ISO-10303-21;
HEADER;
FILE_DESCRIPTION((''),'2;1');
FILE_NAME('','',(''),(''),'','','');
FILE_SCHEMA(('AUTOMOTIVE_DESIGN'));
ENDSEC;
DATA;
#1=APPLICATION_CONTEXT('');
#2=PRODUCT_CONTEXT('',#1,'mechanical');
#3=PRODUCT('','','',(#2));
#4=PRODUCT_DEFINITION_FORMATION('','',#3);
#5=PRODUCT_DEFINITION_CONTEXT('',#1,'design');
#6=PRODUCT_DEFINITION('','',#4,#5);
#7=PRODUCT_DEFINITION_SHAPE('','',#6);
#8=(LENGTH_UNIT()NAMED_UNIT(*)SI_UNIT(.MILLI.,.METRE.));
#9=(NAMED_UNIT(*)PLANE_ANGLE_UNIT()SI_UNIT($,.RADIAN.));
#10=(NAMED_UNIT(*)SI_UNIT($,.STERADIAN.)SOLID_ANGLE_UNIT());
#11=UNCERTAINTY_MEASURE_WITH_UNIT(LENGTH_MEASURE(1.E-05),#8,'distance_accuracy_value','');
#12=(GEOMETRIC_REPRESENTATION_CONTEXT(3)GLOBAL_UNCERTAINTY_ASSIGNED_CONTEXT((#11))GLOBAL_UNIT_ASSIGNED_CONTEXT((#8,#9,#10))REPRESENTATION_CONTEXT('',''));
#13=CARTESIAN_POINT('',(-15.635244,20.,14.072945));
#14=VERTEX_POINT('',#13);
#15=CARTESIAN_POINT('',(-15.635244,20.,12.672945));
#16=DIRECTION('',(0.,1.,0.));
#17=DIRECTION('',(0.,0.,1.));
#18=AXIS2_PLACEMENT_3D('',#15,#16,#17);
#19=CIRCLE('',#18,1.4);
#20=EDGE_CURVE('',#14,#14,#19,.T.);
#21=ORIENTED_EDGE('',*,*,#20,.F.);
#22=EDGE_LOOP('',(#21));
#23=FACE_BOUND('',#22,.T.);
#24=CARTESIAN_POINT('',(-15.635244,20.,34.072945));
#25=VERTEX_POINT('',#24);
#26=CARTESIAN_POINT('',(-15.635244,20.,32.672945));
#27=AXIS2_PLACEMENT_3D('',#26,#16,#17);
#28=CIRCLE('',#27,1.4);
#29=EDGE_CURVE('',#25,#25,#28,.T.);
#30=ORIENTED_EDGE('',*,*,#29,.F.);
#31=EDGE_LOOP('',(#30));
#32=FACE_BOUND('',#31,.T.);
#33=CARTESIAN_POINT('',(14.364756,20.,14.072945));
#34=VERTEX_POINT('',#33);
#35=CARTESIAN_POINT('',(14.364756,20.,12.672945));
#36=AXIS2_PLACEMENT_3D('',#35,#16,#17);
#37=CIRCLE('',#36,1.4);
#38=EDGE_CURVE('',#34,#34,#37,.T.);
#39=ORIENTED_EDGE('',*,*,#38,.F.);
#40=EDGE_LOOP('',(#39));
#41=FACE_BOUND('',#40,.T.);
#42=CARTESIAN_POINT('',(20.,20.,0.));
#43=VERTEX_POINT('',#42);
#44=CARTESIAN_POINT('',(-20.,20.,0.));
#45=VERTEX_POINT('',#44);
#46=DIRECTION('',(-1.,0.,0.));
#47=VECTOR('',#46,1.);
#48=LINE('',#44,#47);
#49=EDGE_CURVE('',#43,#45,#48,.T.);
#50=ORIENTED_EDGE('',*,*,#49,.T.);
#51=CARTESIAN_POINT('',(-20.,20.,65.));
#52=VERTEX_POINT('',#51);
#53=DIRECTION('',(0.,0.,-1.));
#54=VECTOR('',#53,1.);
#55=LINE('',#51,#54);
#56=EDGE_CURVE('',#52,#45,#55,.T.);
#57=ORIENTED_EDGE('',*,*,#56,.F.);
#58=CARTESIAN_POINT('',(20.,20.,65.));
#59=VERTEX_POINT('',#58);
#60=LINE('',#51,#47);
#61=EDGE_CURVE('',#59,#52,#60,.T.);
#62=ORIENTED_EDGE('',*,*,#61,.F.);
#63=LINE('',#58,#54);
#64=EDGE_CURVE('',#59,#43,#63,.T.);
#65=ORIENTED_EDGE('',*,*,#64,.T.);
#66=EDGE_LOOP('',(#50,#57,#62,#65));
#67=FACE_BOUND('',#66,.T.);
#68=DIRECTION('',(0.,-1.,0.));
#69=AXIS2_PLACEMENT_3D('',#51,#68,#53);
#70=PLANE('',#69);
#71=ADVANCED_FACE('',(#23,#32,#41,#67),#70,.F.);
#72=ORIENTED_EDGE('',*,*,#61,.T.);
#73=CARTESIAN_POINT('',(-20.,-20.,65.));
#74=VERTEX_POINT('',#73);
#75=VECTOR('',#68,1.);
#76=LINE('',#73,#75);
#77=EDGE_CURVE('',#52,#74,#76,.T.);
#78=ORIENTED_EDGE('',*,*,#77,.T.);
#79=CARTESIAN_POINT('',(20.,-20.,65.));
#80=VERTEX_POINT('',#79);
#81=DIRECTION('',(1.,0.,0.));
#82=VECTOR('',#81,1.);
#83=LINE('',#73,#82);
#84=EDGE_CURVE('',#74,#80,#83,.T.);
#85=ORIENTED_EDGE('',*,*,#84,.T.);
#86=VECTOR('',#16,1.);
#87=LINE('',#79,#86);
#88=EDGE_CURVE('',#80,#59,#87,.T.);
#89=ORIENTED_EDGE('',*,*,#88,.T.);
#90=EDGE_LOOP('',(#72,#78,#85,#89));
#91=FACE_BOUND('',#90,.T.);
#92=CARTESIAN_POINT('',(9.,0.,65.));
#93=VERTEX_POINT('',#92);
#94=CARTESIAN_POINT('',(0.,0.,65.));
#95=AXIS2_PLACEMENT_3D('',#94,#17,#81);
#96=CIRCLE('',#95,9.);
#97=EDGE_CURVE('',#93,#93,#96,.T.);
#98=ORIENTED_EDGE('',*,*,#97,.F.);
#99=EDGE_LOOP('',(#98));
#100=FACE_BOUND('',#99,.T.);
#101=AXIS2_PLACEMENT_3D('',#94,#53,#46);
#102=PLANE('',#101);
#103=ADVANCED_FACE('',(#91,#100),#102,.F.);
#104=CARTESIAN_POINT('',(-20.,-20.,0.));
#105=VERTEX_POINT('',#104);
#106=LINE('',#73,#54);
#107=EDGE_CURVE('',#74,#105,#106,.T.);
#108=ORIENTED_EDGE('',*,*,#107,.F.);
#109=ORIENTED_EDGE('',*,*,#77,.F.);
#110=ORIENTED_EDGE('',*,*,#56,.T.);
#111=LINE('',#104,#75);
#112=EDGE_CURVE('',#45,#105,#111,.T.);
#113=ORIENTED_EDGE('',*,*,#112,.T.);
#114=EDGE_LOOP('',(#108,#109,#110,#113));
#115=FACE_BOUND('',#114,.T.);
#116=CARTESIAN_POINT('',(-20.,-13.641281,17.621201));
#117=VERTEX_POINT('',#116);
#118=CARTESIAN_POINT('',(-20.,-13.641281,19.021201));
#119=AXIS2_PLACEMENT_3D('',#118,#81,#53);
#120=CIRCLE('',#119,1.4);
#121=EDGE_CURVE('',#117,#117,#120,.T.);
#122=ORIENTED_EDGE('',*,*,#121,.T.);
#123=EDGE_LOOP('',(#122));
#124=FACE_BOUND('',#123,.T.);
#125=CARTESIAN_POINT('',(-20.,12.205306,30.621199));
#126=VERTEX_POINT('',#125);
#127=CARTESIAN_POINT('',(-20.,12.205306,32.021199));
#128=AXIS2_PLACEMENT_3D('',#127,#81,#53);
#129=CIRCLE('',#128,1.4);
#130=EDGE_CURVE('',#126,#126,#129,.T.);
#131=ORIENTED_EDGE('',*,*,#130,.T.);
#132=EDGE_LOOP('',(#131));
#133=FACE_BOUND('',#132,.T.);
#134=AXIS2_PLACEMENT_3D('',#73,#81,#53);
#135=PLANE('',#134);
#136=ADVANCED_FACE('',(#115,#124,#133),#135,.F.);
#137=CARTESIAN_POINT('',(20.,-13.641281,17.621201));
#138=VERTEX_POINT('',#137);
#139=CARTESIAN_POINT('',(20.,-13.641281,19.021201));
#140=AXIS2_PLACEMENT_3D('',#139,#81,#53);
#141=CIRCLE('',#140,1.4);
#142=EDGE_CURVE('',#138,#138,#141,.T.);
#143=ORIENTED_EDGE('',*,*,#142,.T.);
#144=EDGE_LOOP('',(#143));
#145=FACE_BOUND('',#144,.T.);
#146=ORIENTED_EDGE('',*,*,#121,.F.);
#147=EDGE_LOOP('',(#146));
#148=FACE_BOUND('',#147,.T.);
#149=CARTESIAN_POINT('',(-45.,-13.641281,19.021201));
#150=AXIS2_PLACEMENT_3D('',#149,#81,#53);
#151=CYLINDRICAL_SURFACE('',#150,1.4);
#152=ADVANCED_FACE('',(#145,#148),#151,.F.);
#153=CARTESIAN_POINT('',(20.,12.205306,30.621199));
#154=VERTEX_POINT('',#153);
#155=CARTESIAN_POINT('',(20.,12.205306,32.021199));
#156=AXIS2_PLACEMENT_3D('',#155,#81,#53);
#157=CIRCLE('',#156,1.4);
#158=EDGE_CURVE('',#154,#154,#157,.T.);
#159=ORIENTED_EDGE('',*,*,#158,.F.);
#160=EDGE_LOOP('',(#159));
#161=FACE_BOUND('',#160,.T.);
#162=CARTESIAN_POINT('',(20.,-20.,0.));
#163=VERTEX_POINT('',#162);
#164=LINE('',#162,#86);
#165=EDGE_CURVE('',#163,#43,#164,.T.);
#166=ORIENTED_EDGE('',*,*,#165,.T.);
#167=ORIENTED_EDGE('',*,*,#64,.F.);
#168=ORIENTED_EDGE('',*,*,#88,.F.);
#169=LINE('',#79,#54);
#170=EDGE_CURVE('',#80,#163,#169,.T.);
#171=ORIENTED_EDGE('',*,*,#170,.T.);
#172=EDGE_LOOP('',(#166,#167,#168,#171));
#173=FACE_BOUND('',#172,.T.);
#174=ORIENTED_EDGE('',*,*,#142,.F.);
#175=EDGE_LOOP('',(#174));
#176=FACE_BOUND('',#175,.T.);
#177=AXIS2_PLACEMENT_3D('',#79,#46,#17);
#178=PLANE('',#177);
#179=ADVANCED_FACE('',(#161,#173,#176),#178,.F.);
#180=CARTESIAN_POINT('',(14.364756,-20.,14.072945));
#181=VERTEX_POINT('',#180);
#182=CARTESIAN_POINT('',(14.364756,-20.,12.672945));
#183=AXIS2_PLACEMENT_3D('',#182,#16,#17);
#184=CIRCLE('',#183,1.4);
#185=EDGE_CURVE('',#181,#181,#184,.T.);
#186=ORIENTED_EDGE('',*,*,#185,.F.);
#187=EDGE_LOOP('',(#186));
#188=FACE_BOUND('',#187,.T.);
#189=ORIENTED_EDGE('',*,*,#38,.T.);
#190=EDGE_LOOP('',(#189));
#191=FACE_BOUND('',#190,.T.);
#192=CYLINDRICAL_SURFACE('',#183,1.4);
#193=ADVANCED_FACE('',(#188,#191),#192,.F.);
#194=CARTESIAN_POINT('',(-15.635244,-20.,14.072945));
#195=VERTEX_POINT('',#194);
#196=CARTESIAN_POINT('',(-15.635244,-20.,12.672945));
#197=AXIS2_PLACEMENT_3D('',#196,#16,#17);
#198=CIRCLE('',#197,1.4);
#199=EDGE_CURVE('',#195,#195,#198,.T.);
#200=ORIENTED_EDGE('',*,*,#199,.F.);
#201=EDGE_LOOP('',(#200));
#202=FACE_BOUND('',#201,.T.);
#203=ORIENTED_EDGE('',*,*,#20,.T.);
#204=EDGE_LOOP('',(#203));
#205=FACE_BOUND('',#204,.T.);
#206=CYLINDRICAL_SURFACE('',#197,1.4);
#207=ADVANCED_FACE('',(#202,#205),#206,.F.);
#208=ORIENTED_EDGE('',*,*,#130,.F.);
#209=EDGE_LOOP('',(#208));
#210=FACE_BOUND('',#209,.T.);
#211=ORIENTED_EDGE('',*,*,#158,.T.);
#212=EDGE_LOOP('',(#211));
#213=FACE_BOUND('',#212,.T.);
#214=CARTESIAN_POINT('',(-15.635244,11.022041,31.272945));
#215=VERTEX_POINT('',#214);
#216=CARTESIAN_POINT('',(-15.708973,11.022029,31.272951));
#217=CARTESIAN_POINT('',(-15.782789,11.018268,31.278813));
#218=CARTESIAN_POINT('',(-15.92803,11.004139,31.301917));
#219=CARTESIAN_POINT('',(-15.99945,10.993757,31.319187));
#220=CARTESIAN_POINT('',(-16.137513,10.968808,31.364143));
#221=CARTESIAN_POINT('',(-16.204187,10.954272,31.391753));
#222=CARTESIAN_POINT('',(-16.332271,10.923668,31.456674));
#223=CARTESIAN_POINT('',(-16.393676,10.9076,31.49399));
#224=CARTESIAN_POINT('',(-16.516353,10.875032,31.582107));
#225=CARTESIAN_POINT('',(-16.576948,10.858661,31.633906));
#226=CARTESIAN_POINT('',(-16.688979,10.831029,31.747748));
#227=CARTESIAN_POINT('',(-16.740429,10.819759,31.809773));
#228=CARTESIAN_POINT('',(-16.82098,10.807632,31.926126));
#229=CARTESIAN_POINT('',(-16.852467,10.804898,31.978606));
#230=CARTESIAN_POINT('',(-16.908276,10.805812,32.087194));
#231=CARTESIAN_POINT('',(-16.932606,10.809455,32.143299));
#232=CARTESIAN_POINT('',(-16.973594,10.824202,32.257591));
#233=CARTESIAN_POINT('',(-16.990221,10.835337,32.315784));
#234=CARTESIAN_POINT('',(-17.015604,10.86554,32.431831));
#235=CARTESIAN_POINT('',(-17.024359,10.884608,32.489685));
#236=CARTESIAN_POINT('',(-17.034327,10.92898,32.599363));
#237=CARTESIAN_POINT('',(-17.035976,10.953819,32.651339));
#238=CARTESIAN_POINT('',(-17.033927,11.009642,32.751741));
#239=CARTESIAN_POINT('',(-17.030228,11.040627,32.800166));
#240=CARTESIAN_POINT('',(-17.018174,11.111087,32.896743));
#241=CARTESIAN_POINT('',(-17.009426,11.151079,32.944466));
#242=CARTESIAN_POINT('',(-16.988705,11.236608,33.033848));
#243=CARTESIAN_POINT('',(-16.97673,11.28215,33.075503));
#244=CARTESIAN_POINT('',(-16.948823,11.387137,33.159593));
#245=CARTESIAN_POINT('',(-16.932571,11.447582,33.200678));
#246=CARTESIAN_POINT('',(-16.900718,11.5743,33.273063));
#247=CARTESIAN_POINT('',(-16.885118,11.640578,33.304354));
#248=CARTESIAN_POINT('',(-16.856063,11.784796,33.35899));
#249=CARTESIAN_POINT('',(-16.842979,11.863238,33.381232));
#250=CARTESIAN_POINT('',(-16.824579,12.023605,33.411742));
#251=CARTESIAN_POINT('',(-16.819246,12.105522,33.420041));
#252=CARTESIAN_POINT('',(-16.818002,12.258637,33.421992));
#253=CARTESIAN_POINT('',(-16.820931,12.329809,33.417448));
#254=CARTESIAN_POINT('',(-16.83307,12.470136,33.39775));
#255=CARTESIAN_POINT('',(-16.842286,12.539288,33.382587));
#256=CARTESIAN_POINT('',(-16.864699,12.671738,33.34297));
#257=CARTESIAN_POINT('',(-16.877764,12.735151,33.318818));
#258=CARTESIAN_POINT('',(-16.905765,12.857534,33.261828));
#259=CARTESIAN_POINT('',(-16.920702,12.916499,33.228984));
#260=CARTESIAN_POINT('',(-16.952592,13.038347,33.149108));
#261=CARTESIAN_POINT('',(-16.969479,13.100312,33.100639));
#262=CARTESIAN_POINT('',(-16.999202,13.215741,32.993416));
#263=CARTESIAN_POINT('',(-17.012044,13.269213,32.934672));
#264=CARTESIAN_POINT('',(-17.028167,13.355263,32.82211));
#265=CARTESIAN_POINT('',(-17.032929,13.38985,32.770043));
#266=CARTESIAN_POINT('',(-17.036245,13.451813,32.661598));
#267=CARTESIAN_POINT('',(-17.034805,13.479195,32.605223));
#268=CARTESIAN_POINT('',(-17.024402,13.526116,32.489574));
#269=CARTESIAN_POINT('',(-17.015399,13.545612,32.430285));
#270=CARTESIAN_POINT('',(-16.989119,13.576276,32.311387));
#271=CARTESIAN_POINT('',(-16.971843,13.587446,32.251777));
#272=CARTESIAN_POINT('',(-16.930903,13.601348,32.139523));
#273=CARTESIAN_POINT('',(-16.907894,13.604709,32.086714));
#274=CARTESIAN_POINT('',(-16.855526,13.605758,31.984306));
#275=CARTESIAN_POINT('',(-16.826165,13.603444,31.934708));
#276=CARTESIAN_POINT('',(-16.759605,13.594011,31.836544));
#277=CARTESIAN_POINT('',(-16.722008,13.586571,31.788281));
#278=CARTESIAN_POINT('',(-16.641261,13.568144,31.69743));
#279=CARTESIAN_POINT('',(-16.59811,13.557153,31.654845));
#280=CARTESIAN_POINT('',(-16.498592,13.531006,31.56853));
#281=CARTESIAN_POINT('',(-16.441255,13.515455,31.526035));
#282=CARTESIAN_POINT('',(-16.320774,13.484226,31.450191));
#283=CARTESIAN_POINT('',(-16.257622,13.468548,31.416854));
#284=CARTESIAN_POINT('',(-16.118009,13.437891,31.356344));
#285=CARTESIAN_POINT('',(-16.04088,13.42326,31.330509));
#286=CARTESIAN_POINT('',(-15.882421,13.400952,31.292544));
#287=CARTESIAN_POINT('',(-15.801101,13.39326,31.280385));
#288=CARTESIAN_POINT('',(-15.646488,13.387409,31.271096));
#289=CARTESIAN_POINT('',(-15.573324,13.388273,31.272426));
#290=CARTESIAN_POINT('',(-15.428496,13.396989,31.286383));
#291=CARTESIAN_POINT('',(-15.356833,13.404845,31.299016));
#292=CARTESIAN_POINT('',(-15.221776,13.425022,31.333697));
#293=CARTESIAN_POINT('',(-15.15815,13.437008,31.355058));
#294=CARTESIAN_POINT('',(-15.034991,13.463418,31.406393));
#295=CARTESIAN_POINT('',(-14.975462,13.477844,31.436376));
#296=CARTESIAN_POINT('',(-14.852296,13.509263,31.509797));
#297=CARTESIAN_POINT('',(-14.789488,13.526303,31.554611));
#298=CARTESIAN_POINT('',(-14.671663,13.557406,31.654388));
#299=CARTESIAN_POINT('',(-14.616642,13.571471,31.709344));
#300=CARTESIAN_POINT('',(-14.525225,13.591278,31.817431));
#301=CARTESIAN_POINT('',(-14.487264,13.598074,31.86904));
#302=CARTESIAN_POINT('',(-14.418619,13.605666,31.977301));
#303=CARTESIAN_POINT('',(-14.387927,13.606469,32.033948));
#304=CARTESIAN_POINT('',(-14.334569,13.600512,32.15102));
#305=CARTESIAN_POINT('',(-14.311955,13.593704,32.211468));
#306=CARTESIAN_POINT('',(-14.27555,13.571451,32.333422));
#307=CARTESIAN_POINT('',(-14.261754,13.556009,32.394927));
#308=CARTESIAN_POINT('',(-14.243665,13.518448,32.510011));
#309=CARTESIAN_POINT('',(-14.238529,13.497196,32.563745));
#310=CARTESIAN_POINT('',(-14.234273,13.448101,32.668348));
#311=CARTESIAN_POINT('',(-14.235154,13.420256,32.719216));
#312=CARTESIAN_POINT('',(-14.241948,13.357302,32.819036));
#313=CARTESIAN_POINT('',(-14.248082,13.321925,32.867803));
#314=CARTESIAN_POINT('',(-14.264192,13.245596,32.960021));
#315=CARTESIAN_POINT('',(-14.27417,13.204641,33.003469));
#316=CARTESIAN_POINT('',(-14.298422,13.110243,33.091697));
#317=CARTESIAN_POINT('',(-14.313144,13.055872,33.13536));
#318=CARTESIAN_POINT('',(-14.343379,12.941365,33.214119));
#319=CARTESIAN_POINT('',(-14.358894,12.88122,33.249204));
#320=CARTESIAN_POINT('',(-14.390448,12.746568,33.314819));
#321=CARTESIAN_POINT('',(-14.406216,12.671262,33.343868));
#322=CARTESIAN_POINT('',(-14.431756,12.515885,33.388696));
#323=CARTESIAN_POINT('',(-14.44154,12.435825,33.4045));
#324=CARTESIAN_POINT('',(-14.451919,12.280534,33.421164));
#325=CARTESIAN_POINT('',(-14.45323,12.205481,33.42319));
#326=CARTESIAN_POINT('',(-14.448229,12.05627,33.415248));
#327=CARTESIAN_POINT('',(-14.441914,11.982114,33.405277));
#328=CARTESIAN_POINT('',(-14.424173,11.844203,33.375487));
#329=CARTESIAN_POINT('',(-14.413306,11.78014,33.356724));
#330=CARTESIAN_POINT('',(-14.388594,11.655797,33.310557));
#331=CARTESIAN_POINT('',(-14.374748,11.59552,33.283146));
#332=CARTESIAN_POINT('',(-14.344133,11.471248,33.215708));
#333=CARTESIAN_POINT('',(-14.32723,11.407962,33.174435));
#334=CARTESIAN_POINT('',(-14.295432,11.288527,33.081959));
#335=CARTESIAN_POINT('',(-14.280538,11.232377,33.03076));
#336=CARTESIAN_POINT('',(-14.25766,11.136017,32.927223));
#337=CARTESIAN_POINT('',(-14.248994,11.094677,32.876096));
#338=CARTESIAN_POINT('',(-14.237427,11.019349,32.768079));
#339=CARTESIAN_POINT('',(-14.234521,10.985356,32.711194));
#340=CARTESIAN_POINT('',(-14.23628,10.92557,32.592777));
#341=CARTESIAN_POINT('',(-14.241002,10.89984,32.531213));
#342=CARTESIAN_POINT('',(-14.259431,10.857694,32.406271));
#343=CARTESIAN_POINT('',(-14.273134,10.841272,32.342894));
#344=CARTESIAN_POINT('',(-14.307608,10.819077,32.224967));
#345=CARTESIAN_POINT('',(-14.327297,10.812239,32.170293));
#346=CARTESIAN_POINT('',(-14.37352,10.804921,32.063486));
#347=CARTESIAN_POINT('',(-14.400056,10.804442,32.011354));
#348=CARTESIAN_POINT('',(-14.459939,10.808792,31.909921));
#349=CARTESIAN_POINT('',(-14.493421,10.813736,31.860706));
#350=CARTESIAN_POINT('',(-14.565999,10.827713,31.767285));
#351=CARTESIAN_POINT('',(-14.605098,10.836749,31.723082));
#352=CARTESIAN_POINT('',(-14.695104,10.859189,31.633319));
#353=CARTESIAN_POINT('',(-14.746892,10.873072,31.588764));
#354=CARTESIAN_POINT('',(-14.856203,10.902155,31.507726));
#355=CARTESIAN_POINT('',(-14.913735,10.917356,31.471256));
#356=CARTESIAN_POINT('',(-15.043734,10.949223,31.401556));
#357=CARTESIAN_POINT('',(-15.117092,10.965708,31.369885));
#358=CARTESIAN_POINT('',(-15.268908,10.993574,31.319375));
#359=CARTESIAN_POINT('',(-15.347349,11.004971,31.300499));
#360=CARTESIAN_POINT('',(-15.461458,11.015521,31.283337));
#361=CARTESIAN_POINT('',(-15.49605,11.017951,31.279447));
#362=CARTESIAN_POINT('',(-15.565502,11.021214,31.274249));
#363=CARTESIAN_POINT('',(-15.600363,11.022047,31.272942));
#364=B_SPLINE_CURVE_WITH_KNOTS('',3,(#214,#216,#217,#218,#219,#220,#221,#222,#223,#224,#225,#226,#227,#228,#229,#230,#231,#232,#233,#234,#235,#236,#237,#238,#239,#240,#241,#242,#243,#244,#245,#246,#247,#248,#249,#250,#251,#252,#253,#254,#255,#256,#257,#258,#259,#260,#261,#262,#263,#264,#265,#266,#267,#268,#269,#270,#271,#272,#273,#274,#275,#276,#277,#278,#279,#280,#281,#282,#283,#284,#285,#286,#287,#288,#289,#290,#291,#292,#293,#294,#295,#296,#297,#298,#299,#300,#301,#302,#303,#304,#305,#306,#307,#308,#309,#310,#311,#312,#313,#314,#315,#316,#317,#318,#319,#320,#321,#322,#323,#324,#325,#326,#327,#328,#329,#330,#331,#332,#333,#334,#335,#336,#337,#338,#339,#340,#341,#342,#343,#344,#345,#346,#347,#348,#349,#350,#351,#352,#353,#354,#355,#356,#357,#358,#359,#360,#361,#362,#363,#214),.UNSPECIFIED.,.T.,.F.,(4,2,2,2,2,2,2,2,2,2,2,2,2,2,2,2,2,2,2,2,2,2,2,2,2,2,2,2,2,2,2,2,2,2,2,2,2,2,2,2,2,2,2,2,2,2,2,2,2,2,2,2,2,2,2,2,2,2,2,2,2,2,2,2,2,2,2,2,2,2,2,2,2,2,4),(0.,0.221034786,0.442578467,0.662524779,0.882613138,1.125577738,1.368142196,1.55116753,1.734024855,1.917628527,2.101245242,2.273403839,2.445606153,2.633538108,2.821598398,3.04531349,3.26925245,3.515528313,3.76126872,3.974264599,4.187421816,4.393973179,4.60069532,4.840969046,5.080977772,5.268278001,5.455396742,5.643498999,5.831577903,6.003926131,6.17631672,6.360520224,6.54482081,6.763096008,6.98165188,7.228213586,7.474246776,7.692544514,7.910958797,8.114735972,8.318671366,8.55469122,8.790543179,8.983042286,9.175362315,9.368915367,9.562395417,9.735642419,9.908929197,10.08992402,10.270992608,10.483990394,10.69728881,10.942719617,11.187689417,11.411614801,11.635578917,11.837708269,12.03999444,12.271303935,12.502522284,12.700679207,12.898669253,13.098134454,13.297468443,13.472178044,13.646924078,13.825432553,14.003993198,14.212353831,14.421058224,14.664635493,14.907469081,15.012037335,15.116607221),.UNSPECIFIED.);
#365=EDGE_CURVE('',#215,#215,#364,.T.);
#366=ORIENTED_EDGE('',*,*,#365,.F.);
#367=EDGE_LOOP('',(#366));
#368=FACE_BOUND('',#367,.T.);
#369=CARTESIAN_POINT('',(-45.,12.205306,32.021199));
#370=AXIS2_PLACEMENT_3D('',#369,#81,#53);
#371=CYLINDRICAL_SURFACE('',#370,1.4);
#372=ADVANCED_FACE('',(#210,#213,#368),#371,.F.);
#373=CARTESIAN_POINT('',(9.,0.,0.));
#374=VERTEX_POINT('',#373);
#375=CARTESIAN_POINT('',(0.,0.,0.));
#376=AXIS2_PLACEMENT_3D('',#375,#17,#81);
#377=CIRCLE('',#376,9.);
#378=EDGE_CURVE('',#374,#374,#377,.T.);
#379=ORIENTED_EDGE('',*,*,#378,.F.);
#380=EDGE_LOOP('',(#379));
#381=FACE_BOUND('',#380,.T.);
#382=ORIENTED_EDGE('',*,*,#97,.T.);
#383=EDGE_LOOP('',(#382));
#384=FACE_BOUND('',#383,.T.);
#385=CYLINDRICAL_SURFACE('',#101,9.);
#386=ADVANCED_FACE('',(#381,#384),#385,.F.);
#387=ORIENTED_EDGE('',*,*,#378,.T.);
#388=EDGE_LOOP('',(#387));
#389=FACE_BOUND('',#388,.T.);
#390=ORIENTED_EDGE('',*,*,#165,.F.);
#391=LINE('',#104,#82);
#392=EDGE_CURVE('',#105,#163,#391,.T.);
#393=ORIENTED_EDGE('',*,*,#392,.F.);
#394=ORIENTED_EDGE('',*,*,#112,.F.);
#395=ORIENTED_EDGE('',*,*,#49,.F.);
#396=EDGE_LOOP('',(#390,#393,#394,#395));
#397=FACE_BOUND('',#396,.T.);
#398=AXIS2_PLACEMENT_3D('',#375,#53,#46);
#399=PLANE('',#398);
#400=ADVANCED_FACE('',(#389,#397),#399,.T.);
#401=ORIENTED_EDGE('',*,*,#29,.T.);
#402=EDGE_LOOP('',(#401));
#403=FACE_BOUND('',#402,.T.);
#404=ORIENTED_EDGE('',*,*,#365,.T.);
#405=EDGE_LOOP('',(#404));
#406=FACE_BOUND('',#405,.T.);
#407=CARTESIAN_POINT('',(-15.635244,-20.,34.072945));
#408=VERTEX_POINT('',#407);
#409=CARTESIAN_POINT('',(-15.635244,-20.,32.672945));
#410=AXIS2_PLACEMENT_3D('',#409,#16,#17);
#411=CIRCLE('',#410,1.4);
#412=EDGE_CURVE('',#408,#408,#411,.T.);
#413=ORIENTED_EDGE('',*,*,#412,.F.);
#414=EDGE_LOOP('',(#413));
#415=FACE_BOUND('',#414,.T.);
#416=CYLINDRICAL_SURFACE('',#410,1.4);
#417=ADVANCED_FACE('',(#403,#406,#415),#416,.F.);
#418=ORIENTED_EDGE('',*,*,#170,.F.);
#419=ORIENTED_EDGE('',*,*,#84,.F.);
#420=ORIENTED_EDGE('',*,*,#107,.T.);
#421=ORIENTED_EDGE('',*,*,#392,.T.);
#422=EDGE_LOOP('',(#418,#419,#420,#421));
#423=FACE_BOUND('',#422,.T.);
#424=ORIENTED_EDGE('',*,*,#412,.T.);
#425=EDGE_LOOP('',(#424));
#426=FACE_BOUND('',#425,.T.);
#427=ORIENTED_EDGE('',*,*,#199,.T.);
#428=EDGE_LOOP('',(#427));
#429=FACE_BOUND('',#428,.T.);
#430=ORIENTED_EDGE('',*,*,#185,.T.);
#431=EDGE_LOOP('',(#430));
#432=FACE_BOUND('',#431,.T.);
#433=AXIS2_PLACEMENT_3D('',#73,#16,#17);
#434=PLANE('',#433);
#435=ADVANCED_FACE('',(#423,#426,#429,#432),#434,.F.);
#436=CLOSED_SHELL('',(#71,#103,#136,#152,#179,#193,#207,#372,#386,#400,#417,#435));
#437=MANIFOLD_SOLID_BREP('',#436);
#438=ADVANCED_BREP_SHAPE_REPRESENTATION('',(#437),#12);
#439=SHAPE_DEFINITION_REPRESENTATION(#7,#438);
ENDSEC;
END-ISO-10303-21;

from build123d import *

# Parameters (mm, degrees)
SKETCH1_W           = 40
SKETCH1_H           = 40
SKETCH1_R           = 9
BOSS_EXTRUDE1_DEPTH = 65
SKETCH2_R           = 1.4
CUT_EXTRUDE1_DEPTH  = 41
SKETCH3_R           = 1.4
CUT_EXTRUDE2_DEPTH  = 65


with BuildPart() as part:
    # Sketch1 → Boss-Extrude1 (new body)
    with BuildSketch(Plane.XY):
        Rectangle(SKETCH1_W, SKETCH1_H)
        Circle(SKETCH1_R, mode=Mode.SUBTRACT)
    extrude(amount=BOSS_EXTRUDE1_DEPTH)

    # Sketch2 → Cut-Extrude1 (cut, through all)
    with BuildSketch(Plane(origin=(0, 20, 0), x_dir=(1, 0, 0), z_dir=(0, 1, 0))):
        with Locations((14.364756044, -12.672944901)):
            Circle(SKETCH2_R)
        with Locations((-15.635243956, -32.672944901)):
            Circle(SKETCH2_R)
        with Locations((-15.635243956, -12.672944901)):
            Circle(SKETCH2_R)
    extrude(amount=-CUT_EXTRUDE1_DEPTH, mode=Mode.SUBTRACT)

    # Sketch3 → Cut-Extrude2 (cut)
    with BuildSketch(Plane(origin=(20, 0, 0), x_dir=(0, 0, -1), z_dir=(1, 0, 0))):
        with Locations((-32.021199164, 12.205306236)):
            Circle(SKETCH3_R)
        with Locations((-19.021201071, -13.641280886)):
            Circle(SKETCH3_R)
    extrude(amount=-CUT_EXTRUDE2_DEPTH, mode=Mode.SUBTRACT)


solid = part.part
